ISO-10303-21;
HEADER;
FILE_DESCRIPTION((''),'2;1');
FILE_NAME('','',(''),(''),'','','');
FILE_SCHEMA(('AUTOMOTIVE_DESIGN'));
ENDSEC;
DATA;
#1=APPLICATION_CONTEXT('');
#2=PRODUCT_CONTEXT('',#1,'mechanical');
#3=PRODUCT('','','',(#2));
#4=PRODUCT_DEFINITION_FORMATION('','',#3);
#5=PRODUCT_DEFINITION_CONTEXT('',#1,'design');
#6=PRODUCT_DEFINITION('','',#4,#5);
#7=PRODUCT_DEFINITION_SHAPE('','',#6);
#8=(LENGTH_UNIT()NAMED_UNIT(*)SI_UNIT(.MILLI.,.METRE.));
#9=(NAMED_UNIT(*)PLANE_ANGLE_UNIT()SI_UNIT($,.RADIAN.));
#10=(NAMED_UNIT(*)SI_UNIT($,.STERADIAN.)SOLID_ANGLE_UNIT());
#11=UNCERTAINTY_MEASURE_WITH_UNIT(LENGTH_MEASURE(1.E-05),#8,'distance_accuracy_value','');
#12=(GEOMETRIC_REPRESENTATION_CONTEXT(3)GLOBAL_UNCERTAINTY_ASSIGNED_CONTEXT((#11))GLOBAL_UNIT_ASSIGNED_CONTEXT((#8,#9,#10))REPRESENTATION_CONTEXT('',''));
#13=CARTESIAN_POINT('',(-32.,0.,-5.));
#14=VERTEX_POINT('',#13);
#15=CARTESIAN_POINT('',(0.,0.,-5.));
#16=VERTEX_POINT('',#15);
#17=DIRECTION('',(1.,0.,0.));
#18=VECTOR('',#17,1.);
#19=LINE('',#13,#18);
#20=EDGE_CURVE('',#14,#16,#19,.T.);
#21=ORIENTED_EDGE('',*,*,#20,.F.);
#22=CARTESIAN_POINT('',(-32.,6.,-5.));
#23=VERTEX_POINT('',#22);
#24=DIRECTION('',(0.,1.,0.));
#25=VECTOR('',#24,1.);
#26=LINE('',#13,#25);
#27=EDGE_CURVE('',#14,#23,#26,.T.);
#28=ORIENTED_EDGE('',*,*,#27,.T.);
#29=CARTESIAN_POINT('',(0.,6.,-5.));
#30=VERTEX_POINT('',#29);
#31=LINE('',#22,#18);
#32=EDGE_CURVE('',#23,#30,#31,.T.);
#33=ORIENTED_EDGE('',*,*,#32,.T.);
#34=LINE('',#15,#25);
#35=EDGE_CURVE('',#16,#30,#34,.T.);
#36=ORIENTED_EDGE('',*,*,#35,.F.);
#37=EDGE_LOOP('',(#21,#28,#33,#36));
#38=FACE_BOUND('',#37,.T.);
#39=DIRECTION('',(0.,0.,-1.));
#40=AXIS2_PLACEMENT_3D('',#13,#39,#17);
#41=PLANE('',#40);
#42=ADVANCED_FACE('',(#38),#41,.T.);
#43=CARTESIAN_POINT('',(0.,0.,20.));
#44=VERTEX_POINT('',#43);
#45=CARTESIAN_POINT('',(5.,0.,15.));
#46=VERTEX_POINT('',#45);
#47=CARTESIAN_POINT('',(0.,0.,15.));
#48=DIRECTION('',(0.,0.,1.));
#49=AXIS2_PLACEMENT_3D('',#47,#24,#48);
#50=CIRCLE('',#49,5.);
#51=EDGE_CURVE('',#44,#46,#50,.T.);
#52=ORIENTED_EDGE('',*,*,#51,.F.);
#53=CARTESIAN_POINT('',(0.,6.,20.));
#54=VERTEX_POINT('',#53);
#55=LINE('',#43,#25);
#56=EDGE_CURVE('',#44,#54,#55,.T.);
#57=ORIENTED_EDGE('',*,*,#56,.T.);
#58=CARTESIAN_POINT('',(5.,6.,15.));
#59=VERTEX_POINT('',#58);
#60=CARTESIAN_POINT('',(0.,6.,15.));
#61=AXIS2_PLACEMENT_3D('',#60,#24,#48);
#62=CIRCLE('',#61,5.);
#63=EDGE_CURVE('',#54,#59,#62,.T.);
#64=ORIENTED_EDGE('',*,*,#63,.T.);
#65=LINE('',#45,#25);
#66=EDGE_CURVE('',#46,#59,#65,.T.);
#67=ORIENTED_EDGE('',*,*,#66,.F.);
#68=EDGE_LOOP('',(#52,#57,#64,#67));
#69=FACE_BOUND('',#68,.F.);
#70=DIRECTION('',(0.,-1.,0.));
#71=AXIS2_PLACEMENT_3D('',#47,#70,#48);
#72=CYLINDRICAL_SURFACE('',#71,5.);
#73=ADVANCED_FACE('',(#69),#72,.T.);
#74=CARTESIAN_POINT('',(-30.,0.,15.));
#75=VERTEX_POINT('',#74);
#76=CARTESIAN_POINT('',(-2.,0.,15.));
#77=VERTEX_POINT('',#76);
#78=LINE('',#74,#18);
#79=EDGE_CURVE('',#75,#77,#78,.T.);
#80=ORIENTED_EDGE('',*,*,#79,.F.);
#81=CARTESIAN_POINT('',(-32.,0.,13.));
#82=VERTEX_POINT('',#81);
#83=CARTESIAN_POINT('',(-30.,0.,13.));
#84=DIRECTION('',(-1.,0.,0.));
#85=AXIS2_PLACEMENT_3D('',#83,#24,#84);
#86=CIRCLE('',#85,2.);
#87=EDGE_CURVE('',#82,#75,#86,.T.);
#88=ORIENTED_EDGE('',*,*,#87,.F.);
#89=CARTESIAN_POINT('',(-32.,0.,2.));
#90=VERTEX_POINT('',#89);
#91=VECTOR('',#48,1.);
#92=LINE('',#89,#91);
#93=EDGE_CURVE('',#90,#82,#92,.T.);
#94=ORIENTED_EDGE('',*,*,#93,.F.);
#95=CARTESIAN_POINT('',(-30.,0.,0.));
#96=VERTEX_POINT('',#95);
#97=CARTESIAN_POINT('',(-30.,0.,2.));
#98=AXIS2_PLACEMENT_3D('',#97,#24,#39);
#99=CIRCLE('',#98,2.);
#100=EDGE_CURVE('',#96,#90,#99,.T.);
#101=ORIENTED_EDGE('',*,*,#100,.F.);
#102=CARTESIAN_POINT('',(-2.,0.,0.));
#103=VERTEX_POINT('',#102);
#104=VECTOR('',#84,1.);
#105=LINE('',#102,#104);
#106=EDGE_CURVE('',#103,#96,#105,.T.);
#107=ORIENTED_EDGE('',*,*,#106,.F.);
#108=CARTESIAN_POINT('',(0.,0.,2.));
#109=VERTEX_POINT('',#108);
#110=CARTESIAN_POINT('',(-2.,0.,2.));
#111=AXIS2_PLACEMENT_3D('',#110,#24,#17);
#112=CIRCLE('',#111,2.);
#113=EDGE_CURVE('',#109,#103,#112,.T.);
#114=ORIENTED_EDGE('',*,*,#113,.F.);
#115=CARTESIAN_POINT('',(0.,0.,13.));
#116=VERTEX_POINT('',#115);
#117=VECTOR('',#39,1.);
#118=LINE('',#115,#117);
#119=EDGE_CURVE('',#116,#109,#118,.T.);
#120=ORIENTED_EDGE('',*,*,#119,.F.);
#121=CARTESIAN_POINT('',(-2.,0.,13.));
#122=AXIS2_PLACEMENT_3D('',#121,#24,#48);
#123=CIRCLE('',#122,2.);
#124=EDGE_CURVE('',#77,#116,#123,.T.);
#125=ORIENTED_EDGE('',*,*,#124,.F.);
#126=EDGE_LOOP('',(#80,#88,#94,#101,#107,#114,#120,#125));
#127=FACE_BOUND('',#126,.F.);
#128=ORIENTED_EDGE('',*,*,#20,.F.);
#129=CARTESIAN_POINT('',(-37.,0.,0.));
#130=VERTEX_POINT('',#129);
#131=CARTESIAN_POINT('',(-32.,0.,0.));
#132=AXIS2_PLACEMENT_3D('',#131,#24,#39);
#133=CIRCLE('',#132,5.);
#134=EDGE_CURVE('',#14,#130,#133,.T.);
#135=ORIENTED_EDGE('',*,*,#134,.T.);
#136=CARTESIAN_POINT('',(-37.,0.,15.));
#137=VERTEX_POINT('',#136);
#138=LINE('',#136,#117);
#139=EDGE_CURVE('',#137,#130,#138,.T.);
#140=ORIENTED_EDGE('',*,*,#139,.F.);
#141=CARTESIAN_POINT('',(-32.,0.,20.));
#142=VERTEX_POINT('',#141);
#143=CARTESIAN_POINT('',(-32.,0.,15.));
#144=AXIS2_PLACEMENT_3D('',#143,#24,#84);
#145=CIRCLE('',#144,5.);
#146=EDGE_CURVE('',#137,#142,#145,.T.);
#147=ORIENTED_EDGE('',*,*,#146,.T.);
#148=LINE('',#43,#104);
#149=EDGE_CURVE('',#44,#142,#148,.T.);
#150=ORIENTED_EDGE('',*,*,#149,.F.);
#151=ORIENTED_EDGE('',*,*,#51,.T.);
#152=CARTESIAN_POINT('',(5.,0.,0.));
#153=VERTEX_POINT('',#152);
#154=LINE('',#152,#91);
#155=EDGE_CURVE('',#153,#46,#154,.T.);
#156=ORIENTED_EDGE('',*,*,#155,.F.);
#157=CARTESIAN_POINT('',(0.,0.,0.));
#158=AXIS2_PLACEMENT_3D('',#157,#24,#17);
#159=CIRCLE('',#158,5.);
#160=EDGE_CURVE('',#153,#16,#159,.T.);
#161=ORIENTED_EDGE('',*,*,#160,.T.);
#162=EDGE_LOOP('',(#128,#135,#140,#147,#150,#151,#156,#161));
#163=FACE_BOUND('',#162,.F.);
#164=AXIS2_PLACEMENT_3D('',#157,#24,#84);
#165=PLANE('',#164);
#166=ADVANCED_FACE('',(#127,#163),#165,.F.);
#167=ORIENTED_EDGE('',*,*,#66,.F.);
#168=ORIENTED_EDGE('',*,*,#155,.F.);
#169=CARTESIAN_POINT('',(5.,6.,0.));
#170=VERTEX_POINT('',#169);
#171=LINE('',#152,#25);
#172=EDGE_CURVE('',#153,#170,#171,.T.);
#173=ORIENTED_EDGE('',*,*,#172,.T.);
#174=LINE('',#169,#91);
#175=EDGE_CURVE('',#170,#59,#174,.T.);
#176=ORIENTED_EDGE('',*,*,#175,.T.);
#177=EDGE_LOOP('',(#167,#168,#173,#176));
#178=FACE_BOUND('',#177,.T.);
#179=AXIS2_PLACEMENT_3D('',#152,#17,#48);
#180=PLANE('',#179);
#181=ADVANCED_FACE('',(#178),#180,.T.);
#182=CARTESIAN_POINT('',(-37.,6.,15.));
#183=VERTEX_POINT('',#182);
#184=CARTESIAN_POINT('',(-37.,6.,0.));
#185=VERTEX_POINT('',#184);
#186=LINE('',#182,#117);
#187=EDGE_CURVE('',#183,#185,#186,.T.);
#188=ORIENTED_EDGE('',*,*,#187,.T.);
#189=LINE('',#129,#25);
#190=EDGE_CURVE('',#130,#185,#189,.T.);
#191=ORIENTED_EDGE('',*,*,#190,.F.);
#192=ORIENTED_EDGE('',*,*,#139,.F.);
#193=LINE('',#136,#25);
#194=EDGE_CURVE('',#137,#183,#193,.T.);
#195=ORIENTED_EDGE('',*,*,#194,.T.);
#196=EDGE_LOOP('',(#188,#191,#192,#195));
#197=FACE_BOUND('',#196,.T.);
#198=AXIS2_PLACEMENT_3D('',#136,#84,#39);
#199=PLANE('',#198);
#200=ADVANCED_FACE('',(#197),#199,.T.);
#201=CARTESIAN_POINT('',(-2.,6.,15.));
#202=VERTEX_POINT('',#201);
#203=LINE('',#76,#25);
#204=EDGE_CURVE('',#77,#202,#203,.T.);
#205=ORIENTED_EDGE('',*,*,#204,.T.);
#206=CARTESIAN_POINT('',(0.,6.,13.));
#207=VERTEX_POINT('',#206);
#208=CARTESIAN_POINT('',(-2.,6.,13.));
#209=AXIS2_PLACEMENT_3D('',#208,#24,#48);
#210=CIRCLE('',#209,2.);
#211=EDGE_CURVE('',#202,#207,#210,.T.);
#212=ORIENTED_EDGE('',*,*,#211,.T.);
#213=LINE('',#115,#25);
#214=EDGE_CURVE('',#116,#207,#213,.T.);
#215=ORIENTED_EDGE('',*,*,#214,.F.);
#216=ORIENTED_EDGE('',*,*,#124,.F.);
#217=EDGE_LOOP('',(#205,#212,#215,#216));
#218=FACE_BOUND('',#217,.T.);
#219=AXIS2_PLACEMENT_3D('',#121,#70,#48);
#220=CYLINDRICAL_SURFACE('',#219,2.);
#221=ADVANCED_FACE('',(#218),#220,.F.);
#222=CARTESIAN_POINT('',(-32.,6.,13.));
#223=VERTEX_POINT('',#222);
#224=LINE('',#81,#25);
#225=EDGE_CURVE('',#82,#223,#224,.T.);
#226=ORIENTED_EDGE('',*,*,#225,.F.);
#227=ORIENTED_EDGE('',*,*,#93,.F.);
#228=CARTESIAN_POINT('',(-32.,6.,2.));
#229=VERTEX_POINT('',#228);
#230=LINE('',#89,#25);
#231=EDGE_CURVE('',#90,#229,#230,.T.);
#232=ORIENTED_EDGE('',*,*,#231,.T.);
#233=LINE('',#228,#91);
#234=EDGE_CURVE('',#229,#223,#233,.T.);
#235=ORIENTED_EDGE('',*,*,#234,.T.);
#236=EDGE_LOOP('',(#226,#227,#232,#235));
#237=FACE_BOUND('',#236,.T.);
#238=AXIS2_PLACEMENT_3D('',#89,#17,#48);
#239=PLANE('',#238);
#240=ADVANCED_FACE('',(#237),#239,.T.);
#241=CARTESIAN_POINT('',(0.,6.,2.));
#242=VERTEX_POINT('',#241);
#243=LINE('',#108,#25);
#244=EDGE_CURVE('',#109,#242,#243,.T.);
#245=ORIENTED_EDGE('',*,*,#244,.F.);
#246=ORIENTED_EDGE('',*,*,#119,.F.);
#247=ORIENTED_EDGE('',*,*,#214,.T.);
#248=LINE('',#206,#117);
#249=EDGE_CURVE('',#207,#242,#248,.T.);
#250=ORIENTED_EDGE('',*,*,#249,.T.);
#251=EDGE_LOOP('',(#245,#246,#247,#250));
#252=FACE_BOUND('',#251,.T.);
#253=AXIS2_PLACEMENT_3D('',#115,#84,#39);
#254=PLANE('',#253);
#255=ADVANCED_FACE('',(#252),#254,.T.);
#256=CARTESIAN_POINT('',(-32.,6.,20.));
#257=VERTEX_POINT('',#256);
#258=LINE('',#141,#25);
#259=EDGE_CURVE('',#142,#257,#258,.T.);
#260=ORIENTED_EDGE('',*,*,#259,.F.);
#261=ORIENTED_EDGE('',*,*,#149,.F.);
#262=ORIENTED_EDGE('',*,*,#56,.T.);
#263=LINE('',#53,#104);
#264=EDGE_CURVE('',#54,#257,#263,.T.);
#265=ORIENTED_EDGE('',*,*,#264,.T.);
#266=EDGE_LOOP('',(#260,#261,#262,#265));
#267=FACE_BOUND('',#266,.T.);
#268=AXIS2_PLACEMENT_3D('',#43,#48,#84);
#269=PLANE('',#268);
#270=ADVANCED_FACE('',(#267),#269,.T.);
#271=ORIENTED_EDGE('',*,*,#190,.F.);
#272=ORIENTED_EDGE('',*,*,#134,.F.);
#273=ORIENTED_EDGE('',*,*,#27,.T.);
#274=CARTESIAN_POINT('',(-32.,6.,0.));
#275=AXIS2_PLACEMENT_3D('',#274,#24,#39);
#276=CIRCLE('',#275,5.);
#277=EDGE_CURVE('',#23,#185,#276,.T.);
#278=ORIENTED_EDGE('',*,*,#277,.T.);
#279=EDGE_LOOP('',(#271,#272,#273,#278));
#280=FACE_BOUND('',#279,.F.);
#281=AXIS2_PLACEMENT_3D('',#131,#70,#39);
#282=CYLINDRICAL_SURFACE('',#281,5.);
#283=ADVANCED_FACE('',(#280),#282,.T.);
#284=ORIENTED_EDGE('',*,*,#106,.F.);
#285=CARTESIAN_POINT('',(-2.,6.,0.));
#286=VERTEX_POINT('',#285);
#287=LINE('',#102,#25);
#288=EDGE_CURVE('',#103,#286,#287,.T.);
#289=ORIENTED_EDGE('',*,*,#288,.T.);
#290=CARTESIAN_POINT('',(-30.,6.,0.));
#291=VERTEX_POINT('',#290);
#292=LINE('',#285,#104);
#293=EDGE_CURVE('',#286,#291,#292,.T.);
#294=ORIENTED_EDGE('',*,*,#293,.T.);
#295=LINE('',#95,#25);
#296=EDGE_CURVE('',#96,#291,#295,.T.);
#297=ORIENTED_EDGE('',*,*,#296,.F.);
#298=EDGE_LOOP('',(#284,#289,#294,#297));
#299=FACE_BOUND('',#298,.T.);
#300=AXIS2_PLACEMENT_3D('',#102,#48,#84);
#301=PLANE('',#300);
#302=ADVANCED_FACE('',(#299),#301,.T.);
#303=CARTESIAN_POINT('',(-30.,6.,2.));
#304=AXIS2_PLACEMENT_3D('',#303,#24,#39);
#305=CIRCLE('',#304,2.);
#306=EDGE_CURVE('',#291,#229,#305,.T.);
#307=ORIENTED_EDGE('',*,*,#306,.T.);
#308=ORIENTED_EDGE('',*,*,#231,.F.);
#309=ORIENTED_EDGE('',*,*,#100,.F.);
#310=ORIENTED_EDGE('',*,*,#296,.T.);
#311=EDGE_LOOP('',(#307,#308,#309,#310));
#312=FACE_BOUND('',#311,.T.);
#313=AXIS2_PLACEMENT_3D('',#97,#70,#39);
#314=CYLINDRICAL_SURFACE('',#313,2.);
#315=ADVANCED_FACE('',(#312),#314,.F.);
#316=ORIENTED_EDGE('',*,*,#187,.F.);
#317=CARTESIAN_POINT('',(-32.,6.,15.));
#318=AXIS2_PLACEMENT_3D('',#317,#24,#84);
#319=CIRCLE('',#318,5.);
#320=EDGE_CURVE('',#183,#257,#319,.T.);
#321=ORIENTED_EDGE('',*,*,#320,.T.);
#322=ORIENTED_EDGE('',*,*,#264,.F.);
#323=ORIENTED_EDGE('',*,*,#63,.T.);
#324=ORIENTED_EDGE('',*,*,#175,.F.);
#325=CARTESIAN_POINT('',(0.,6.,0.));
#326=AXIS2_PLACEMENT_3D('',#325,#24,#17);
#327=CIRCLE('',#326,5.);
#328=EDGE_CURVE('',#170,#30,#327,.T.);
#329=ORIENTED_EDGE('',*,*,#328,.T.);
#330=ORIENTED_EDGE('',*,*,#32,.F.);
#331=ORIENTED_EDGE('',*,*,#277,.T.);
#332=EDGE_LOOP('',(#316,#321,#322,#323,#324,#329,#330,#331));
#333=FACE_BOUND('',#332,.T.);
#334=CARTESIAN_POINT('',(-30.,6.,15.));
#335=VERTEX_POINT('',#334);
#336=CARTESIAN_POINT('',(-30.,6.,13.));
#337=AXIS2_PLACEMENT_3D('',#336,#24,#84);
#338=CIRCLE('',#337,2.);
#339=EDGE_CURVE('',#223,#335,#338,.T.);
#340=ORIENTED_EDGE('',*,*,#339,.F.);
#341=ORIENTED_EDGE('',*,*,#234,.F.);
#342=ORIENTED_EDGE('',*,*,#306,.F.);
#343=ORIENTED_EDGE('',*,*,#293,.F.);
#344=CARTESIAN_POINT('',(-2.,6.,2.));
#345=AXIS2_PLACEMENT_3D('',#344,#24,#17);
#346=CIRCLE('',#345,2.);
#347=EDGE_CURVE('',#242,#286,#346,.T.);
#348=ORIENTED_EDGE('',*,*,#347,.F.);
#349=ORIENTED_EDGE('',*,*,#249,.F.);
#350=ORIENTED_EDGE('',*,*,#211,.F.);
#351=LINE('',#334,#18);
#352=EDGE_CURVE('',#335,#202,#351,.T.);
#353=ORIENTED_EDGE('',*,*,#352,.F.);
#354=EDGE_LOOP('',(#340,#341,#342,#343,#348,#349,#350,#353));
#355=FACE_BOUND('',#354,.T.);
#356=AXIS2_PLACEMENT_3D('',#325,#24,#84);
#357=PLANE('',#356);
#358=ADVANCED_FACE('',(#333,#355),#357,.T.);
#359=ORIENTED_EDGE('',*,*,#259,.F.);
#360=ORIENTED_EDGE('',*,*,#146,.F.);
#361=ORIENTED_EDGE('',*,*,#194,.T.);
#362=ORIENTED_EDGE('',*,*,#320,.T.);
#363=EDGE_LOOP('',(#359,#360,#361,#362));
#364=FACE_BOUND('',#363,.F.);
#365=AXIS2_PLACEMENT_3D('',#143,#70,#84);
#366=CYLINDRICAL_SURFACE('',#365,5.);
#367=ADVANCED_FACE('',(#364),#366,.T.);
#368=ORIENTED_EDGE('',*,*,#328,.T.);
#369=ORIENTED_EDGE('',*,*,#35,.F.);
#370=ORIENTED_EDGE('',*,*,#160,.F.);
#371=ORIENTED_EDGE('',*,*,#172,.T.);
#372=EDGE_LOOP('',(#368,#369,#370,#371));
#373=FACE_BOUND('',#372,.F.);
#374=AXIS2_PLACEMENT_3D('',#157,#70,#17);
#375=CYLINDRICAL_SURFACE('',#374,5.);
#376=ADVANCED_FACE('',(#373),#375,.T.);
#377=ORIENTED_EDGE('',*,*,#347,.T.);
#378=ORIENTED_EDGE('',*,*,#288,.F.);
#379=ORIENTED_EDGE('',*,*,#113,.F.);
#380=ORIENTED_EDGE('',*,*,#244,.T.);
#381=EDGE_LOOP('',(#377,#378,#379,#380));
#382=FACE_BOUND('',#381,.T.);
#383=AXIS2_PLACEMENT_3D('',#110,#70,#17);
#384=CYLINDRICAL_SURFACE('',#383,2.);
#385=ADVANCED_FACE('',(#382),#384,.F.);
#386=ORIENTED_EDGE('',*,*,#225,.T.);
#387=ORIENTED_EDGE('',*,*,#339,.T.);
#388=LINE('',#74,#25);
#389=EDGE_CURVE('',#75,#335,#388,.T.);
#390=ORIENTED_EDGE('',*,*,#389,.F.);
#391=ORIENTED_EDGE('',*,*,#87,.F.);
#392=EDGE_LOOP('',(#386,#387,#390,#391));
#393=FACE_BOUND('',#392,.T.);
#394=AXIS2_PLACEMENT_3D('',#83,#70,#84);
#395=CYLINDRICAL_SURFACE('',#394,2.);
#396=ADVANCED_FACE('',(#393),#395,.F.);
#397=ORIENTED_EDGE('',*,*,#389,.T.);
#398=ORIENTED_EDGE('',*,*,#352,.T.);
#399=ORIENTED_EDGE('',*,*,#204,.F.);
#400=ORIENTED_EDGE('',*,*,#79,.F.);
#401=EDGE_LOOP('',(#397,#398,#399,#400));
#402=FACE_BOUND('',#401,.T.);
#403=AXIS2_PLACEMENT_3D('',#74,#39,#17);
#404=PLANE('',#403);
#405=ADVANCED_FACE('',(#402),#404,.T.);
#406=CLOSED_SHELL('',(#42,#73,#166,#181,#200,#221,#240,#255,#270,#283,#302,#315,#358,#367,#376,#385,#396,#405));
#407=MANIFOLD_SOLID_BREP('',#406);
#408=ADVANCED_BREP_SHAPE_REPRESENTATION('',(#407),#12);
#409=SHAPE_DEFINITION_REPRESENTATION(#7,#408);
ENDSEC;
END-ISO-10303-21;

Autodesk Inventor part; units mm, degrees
ref_plane "YZ Plane" through (0, 0, 0) normal (1, 0, 0) x (0, 1, 0)
ref_plane "XZ Plane" through (0, 0, 0) normal (0, 1, 0) x (-1, 0, 0)
ref_plane "XY Plane" through (0, 0, 0) normal (0, 0, 1) x (1, 0, 0)
sketch "Sketch1" plane through (0, 0, 0) normal (0, 1, 0) x (-1, 0, 0)
  line L0 (2, 0) -> (30, 0)
  line L1 (32, 2) -> (32, 13)
  line L2 (30, 15) -> (2, 15)
  line L3 (0, 13) -> (0, 2)
  line L4 (0, 20) -> (32, 20)
  line L5 (37, 15) -> (37, 0)
  line L6 (32, -5) -> (0, -5)
  line L7 (-5, 0) -> (-5, 15)
  arc A0 (0, 20) -> (-5, 15) centre (0, 15) ccw
  arc A1 (37, 15) -> (32, 20) centre (32, 15) ccw
  arc A2 (32, -5) -> (37, 0) centre (32, 0) ccw
  arc A3 (-5, 0) -> (0, -5) centre (0, 0) ccw
  arc A4 (2, 15) -> (0, 13) centre (2, 13) ccw
  arc A5 (32, 13) -> (30, 15) centre (30, 13) ccw
  arc A6 (30, 0) -> (32, 2) centre (30, 2) ccw
  arc A7 (0, 2) -> (2, 0) centre (2, 2) ccw
  point P0 (0, 0)
  point P1 (32, 0)
  point P2 (0, 15)
  dimension "d0" = 15
  dimension "d1" = 32
  dimension "d2" = 5
  dimension "d3" = 5
  dimension "d4" = 5
  dimension "d5" = 5
  dimension "d6" = 5
  dimension "d7" = 2
extrude "Extrusion1" add sketch "Sketch1" along normal blind 6
properties part number "Center Block"
